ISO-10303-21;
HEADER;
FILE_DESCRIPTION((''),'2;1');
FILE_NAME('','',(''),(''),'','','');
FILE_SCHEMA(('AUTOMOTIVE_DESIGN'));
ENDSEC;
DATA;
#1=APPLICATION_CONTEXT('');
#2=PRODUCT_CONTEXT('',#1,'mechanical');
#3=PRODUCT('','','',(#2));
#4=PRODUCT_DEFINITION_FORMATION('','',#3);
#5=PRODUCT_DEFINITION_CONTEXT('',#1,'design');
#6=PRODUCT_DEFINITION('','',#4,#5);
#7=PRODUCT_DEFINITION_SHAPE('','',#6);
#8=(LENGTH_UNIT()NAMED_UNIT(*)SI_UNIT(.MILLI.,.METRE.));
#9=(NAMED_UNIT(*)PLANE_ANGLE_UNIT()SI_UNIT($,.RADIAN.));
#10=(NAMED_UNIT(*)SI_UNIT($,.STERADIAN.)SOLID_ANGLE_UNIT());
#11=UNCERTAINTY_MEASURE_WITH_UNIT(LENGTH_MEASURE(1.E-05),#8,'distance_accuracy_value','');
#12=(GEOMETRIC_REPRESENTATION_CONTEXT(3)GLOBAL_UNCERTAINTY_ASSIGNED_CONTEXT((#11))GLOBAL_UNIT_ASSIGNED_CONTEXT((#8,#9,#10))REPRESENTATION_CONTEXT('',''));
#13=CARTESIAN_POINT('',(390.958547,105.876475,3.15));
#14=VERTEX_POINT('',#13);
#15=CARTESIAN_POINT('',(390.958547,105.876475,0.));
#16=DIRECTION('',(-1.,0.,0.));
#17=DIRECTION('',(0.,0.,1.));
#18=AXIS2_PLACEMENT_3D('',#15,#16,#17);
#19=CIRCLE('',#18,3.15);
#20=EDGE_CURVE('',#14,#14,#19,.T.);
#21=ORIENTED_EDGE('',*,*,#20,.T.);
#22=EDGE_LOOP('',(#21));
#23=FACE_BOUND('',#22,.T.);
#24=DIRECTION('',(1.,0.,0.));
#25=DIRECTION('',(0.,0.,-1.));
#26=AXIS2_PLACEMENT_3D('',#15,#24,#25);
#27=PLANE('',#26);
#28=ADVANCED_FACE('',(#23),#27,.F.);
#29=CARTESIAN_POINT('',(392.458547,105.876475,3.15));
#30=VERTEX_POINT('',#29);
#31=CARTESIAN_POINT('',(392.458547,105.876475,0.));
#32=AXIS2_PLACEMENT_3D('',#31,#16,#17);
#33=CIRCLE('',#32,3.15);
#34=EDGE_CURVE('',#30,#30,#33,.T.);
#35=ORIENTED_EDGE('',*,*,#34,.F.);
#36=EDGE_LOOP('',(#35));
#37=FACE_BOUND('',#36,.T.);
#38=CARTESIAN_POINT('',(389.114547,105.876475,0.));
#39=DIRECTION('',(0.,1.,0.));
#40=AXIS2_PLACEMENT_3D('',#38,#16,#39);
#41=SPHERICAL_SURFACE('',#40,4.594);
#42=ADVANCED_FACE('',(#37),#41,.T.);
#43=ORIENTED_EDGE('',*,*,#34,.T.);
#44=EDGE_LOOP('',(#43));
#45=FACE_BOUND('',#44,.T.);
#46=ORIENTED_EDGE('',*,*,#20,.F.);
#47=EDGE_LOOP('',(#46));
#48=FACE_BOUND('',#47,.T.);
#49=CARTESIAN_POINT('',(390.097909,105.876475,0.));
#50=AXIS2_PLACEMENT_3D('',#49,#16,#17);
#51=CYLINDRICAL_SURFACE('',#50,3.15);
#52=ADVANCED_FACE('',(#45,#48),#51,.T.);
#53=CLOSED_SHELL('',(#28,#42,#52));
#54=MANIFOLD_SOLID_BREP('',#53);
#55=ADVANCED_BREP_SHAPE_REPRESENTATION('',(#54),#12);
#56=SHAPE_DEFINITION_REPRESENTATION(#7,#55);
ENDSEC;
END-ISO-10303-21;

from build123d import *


with BuildPart() as part:
    # 草图1 → 旋转1 (revolve)
    with BuildSketch(Plane.XY):
        with BuildLine():
            Line((390.958546637, 105.876474886), (390.958546637, 109.026474886))
            Line((390.958546637, 109.026474886), (392.458546637, 109.026474886))
            ThreePointArc((392.458546637, 109.026474886), (393.384626964, 107.570951207), (393.708546637, 105.876474886))
            Line((393.708546637, 105.876474886), (390.958546637, 105.876474886))
        make_face()
    revolve(axis=Axis((390.097908549, 105.876474886, 0), (1, 0, 0)))


solid = part.part
